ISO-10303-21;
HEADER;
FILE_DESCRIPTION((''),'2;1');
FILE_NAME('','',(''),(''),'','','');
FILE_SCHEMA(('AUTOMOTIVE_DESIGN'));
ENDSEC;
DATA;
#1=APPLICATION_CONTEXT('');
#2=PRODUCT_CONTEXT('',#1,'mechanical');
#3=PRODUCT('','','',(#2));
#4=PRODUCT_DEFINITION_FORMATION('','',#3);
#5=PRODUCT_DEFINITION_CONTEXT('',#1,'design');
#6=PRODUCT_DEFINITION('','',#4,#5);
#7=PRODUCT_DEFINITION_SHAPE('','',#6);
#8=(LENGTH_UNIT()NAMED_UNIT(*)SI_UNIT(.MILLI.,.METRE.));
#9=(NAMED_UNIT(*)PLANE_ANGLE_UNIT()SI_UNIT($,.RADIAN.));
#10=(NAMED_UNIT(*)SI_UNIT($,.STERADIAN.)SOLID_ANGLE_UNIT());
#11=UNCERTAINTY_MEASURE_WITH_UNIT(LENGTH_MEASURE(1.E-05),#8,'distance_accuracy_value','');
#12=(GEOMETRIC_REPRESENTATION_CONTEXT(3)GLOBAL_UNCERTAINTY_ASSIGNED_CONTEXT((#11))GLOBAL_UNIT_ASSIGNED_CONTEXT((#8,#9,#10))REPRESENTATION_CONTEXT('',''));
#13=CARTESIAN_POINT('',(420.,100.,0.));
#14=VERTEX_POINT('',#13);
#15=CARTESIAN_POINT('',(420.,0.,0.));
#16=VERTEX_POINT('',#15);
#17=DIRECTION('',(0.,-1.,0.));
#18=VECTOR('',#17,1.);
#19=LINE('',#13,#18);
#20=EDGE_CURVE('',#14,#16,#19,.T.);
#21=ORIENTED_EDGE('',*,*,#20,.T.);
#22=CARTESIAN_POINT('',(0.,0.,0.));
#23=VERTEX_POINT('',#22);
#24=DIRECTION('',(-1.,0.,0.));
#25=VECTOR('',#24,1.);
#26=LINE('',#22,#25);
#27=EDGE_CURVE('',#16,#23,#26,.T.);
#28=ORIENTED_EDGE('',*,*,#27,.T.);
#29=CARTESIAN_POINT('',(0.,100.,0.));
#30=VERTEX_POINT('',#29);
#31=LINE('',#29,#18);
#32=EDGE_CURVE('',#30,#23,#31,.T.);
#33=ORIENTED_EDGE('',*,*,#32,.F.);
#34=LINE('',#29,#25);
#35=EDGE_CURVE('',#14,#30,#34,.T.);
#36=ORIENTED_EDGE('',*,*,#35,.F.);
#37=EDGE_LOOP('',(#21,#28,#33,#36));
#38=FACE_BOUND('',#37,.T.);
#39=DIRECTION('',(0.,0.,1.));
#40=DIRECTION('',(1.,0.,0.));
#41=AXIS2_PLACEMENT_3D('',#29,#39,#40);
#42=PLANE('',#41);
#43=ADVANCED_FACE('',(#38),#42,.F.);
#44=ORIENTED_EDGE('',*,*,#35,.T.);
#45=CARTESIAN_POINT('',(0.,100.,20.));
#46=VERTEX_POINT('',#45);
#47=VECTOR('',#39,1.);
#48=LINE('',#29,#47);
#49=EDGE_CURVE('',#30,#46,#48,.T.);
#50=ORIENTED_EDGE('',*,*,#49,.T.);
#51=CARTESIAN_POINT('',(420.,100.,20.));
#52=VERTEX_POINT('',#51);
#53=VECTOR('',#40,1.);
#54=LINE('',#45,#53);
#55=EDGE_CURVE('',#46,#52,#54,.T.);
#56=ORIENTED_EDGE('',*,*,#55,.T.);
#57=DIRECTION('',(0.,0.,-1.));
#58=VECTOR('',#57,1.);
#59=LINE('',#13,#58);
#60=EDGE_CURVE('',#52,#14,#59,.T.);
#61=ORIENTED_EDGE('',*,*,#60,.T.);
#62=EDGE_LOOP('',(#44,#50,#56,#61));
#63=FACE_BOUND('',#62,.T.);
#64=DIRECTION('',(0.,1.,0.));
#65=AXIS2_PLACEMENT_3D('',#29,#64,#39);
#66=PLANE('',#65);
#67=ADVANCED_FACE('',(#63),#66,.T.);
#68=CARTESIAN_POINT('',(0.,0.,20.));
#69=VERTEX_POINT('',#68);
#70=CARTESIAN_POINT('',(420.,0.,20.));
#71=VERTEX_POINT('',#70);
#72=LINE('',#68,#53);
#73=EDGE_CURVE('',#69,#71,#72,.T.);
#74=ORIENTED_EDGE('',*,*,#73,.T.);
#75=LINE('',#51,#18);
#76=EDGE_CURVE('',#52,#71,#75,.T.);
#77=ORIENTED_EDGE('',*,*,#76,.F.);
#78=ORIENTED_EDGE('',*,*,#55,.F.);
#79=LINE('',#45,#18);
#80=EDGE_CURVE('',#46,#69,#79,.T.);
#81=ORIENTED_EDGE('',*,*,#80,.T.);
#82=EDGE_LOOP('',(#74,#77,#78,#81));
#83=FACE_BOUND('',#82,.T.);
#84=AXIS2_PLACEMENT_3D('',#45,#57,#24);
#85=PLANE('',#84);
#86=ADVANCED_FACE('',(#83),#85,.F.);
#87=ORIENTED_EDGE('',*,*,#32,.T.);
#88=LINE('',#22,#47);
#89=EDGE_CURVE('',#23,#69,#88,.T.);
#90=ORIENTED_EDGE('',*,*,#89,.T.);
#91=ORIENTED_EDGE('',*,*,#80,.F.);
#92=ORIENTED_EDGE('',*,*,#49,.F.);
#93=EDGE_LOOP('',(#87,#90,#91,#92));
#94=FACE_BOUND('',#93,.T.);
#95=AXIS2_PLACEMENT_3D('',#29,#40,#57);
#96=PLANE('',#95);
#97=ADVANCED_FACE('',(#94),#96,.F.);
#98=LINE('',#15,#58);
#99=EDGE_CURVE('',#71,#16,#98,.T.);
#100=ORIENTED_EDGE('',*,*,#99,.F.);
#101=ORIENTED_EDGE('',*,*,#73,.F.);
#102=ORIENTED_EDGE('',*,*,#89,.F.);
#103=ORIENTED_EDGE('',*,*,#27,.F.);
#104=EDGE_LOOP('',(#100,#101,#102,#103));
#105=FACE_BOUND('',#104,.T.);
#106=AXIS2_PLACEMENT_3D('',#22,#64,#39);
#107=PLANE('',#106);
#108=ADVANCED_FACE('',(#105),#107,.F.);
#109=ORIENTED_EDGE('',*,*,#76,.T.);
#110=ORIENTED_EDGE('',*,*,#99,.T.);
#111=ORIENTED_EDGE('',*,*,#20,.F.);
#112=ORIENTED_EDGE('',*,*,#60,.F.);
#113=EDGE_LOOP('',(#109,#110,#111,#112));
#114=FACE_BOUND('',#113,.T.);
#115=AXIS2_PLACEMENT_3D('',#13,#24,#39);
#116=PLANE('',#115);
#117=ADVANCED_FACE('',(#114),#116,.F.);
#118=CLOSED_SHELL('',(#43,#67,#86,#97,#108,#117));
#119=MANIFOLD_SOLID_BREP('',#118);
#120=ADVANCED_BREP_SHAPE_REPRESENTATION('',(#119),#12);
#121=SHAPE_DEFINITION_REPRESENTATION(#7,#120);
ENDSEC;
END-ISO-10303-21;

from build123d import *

# Parameters (mm, degrees)
SKETCH_1_W      = 420
SKETCH_1_H      = 20
EXTRUDE_1_DEPTH = 100


with BuildPart() as part:
    # 草图1 → 凸台-拉伸1 (new body)
    with BuildSketch(Plane(origin=(0, 0, 0), x_dir=(1, 0, 0), z_dir=(0, 1, 0))):
        with Locations((210, -10)):
            Rectangle(SKETCH_1_W, SKETCH_1_H)
    extrude(amount=EXTRUDE_1_DEPTH)


solid = part.part
